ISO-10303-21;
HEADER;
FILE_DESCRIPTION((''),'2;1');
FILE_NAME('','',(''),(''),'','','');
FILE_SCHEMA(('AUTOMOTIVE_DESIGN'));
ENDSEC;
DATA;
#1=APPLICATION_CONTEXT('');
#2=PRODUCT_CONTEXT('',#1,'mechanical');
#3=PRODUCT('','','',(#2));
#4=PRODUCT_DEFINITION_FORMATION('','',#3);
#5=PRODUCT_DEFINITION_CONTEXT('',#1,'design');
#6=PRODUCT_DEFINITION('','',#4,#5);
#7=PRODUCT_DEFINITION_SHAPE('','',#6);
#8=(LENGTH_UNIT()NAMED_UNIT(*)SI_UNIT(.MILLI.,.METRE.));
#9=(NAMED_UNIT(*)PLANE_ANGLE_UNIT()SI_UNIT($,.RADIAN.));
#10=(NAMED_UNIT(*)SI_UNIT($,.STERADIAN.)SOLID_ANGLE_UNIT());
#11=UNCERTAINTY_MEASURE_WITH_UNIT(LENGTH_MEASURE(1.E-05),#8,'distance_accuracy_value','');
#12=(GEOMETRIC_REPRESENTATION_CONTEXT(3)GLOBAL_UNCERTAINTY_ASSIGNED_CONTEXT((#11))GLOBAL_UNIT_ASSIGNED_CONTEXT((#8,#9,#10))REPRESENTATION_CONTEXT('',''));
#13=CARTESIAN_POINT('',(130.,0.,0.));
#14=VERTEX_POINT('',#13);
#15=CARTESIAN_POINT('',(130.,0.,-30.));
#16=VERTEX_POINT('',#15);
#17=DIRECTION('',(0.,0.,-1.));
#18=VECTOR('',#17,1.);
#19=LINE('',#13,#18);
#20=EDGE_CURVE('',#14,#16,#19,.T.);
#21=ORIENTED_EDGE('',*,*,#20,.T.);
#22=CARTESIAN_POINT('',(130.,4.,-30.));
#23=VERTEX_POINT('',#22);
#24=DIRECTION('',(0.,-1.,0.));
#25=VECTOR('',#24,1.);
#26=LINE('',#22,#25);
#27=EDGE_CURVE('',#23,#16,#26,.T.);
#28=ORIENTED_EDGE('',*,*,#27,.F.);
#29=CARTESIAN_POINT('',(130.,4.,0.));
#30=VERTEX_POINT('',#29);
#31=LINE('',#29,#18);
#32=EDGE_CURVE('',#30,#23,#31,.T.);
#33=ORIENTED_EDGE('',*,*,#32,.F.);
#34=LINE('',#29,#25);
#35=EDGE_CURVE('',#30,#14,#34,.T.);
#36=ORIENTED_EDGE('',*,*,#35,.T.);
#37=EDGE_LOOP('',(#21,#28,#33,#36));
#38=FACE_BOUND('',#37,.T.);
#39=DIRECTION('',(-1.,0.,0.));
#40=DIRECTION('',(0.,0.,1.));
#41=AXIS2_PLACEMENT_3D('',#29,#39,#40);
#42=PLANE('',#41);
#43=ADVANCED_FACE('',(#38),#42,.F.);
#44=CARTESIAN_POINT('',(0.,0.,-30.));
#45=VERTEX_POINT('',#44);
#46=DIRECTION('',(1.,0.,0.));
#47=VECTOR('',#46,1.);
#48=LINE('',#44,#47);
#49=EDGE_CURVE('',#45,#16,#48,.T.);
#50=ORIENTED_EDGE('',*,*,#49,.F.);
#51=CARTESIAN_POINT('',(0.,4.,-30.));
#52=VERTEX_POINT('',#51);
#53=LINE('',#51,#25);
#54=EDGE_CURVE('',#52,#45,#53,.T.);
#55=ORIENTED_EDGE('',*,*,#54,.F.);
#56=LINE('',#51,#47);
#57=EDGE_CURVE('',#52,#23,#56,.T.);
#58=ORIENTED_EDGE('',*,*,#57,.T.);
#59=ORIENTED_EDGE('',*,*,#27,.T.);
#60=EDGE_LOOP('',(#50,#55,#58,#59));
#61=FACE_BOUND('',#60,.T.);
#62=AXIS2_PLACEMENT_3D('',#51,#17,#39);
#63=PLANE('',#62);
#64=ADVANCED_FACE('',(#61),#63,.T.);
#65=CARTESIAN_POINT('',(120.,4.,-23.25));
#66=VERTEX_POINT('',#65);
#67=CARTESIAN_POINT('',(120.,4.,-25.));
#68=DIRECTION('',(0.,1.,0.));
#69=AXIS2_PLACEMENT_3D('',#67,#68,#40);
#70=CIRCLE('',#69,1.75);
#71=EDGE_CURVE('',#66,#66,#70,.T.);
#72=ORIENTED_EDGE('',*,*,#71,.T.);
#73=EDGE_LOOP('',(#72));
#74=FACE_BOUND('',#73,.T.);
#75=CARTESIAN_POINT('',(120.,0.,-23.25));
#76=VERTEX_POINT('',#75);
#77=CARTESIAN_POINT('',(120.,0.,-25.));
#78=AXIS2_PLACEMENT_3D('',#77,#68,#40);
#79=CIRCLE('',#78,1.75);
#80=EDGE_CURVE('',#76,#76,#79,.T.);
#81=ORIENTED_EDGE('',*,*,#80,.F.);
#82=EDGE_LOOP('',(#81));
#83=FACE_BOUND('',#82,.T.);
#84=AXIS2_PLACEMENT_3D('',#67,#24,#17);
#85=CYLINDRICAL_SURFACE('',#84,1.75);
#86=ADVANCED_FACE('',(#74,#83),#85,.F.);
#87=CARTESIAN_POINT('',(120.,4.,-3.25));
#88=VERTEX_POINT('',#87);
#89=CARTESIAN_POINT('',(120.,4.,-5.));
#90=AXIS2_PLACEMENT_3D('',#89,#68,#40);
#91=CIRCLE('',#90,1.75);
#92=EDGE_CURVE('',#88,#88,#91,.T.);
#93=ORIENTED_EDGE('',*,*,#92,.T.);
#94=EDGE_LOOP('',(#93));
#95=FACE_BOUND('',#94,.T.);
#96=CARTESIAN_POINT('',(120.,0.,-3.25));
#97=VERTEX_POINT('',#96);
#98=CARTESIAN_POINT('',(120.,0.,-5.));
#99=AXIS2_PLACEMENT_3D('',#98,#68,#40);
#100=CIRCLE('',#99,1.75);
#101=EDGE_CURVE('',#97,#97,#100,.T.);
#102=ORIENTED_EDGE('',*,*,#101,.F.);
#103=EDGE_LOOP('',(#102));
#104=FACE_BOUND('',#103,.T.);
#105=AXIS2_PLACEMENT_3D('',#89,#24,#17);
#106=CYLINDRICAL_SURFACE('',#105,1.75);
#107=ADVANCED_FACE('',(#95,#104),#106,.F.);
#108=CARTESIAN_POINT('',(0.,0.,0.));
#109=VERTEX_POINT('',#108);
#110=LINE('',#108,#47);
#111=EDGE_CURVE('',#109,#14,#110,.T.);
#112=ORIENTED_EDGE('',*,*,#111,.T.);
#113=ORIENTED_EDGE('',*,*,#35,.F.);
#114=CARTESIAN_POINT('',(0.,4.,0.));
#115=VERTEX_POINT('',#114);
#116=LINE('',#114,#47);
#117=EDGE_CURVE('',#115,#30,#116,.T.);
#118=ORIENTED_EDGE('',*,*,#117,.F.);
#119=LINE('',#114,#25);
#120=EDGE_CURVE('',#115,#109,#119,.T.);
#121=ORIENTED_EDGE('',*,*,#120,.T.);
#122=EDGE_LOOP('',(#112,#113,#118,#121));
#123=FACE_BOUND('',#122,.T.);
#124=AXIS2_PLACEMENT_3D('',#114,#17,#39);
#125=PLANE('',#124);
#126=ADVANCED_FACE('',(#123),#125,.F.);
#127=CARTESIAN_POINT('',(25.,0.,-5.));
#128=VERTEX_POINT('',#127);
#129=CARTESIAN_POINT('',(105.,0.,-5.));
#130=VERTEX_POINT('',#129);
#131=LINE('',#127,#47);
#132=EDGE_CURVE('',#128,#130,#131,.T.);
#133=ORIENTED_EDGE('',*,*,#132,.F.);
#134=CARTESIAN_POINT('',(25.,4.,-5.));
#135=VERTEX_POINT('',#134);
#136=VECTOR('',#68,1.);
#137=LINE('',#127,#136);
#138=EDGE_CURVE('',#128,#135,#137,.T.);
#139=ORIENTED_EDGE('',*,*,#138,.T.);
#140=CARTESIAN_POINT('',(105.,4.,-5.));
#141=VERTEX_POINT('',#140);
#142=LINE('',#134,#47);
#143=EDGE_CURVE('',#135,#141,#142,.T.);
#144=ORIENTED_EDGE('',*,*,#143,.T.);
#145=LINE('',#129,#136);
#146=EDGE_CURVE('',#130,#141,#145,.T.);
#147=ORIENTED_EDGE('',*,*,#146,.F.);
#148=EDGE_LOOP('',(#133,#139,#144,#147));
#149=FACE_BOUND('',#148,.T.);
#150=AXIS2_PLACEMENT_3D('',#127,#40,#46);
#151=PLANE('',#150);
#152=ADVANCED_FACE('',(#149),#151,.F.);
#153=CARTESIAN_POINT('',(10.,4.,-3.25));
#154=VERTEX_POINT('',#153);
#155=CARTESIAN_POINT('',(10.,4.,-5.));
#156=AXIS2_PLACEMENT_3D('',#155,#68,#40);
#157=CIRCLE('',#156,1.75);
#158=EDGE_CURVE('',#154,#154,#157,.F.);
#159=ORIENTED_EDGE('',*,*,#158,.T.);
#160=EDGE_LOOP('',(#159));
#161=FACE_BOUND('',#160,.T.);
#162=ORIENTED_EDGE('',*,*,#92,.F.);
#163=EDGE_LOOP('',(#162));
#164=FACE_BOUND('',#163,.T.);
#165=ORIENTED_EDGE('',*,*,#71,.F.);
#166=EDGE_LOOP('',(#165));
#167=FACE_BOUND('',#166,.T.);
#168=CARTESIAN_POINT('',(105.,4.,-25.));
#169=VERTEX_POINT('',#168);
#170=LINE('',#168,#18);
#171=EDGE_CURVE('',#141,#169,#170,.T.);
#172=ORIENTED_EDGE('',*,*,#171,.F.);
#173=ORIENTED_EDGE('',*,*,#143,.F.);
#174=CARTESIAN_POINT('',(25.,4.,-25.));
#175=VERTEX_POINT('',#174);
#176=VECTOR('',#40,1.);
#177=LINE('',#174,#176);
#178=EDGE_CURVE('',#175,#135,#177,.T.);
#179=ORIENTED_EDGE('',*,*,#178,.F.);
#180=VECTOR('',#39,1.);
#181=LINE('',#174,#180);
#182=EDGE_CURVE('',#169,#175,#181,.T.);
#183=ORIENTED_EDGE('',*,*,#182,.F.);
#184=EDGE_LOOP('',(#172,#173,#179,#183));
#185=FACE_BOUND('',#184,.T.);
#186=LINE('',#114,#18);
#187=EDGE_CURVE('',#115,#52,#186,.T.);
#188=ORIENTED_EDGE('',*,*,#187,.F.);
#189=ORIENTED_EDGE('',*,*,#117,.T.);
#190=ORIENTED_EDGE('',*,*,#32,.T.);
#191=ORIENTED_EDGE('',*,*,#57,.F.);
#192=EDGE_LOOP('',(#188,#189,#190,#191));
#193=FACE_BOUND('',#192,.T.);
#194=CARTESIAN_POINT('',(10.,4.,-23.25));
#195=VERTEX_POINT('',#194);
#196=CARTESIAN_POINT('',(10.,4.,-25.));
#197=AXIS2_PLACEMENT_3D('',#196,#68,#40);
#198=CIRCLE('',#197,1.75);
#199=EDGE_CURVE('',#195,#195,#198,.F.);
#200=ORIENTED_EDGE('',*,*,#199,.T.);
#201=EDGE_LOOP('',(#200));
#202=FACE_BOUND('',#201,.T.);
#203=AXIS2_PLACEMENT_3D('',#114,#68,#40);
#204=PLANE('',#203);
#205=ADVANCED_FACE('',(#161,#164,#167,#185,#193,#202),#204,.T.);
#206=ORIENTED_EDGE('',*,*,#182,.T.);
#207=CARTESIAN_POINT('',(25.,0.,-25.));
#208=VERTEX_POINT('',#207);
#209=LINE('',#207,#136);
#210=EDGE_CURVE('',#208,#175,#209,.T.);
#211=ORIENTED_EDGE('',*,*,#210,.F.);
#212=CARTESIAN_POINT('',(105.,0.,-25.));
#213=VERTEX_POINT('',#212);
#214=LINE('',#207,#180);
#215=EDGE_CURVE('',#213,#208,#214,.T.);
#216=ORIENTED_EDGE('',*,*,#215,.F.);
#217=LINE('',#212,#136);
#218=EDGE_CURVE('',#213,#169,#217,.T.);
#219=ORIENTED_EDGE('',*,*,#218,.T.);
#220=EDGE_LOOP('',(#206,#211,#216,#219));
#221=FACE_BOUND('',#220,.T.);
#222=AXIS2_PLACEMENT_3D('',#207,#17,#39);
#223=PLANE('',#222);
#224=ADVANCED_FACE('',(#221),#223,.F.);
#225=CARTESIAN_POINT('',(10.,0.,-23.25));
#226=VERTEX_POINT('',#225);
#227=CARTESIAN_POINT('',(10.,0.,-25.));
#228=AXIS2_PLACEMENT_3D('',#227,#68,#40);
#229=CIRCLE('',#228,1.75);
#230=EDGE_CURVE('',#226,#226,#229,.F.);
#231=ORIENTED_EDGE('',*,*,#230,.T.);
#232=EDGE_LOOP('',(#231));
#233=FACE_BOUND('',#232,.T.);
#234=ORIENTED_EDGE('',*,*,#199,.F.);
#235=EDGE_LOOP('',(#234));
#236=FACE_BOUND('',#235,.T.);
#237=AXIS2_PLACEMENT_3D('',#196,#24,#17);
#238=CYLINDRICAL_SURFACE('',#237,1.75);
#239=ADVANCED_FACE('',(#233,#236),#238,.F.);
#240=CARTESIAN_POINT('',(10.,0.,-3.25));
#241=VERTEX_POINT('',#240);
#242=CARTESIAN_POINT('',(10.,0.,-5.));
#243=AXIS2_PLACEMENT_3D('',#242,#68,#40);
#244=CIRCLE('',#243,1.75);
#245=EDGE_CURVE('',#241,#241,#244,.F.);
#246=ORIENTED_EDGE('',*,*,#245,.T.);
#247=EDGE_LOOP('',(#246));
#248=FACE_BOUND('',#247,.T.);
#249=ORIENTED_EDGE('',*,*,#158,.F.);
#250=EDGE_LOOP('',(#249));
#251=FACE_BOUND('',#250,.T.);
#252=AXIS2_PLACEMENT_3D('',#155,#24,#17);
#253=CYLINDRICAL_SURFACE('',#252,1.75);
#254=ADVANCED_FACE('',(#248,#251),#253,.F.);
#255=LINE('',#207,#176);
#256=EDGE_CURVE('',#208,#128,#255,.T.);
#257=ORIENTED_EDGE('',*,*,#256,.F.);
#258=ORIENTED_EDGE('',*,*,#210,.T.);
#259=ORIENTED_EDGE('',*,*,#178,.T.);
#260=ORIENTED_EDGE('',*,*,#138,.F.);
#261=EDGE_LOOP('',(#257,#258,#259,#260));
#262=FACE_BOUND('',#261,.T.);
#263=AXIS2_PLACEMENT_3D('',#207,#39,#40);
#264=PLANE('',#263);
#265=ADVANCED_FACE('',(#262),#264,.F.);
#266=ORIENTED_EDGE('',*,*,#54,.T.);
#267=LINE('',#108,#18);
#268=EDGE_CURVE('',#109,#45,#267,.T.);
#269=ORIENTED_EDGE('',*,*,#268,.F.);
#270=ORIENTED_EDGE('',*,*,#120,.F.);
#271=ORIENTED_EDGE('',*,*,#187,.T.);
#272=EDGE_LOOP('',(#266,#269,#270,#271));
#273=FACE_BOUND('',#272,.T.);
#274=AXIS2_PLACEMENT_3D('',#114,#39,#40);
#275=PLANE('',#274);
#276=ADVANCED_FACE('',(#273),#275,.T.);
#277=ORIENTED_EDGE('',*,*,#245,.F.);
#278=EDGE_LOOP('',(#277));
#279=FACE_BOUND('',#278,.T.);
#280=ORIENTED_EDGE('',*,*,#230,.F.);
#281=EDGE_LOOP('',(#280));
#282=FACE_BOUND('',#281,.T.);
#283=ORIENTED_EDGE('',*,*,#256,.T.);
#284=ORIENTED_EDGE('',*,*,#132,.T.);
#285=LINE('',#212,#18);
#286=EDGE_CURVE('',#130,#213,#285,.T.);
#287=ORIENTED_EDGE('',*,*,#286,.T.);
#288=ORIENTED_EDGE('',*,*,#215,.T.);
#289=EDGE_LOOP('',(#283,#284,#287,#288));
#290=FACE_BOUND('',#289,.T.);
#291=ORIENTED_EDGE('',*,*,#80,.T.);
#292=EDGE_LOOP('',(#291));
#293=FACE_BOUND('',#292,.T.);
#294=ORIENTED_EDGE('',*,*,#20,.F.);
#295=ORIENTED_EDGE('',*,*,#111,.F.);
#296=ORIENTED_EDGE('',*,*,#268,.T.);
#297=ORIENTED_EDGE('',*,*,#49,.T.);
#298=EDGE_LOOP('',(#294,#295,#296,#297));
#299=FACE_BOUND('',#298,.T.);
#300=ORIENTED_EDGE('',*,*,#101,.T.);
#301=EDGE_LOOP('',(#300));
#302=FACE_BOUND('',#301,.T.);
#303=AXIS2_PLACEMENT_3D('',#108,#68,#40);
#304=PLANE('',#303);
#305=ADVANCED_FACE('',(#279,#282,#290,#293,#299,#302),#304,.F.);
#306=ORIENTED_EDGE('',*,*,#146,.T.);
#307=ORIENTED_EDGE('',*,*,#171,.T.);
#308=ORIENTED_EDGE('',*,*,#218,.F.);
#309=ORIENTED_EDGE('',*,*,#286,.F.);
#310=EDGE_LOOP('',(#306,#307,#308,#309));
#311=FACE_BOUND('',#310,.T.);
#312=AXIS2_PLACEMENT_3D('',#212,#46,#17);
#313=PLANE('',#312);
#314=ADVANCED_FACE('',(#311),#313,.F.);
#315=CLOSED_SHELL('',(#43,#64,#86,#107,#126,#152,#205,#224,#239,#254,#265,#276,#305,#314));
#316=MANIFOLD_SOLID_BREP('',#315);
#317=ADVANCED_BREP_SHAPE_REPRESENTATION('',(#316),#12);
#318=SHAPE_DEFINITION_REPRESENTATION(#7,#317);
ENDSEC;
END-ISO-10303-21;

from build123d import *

# Parameters (mm, degrees)
SKETCH1_W           = 130
SKETCH1_H           = 30
SKETCH1_R           = 1.75
BOSS_EXTRUDE1_DEPTH = 4
SKETCH2_W           = 80
SKETCH2_H           = 20
CUT_EXTRUDE1_DEPTH  = 134.476589708


with BuildPart() as part:
    # Sketch1 → Boss-Extrude1 (new body)
    with BuildSketch(Plane(origin=(0, 0, 0), x_dir=(1, 0, 0), z_dir=(0, 1, 0))):
        with Locations((65, 15)):
            Rectangle(SKETCH1_W, SKETCH1_H)
        with Locations(Location((120, 25, 0), (0, 0, 270))):
            Circle(SKETCH1_R, mode=Mode.SUBTRACT)
        with Locations(Location((120, 5, 0), (0, 0, 270))):
            Circle(SKETCH1_R, mode=Mode.SUBTRACT)
        with Locations(Location((10, 5, 0), (0, 0, 270))):
            Circle(SKETCH1_R, mode=Mode.SUBTRACT)
        with Locations(Location((10, 25, 0), (0, 0, 270))):
            Circle(SKETCH1_R, mode=Mode.SUBTRACT)
    extrude(amount=BOSS_EXTRUDE1_DEPTH)

    # Sketch2 → Cut-Extrude1 (cut, through all)
    with BuildSketch(Plane(origin=(0, 4, 0), x_dir=(1, 0, 0), z_dir=(0, 1, 0))):
        with Locations((65, 15)):
            Rectangle(SKETCH2_W, SKETCH2_H)
    extrude(amount=-CUT_EXTRUDE1_DEPTH, mode=Mode.SUBTRACT)


solid = part.part
